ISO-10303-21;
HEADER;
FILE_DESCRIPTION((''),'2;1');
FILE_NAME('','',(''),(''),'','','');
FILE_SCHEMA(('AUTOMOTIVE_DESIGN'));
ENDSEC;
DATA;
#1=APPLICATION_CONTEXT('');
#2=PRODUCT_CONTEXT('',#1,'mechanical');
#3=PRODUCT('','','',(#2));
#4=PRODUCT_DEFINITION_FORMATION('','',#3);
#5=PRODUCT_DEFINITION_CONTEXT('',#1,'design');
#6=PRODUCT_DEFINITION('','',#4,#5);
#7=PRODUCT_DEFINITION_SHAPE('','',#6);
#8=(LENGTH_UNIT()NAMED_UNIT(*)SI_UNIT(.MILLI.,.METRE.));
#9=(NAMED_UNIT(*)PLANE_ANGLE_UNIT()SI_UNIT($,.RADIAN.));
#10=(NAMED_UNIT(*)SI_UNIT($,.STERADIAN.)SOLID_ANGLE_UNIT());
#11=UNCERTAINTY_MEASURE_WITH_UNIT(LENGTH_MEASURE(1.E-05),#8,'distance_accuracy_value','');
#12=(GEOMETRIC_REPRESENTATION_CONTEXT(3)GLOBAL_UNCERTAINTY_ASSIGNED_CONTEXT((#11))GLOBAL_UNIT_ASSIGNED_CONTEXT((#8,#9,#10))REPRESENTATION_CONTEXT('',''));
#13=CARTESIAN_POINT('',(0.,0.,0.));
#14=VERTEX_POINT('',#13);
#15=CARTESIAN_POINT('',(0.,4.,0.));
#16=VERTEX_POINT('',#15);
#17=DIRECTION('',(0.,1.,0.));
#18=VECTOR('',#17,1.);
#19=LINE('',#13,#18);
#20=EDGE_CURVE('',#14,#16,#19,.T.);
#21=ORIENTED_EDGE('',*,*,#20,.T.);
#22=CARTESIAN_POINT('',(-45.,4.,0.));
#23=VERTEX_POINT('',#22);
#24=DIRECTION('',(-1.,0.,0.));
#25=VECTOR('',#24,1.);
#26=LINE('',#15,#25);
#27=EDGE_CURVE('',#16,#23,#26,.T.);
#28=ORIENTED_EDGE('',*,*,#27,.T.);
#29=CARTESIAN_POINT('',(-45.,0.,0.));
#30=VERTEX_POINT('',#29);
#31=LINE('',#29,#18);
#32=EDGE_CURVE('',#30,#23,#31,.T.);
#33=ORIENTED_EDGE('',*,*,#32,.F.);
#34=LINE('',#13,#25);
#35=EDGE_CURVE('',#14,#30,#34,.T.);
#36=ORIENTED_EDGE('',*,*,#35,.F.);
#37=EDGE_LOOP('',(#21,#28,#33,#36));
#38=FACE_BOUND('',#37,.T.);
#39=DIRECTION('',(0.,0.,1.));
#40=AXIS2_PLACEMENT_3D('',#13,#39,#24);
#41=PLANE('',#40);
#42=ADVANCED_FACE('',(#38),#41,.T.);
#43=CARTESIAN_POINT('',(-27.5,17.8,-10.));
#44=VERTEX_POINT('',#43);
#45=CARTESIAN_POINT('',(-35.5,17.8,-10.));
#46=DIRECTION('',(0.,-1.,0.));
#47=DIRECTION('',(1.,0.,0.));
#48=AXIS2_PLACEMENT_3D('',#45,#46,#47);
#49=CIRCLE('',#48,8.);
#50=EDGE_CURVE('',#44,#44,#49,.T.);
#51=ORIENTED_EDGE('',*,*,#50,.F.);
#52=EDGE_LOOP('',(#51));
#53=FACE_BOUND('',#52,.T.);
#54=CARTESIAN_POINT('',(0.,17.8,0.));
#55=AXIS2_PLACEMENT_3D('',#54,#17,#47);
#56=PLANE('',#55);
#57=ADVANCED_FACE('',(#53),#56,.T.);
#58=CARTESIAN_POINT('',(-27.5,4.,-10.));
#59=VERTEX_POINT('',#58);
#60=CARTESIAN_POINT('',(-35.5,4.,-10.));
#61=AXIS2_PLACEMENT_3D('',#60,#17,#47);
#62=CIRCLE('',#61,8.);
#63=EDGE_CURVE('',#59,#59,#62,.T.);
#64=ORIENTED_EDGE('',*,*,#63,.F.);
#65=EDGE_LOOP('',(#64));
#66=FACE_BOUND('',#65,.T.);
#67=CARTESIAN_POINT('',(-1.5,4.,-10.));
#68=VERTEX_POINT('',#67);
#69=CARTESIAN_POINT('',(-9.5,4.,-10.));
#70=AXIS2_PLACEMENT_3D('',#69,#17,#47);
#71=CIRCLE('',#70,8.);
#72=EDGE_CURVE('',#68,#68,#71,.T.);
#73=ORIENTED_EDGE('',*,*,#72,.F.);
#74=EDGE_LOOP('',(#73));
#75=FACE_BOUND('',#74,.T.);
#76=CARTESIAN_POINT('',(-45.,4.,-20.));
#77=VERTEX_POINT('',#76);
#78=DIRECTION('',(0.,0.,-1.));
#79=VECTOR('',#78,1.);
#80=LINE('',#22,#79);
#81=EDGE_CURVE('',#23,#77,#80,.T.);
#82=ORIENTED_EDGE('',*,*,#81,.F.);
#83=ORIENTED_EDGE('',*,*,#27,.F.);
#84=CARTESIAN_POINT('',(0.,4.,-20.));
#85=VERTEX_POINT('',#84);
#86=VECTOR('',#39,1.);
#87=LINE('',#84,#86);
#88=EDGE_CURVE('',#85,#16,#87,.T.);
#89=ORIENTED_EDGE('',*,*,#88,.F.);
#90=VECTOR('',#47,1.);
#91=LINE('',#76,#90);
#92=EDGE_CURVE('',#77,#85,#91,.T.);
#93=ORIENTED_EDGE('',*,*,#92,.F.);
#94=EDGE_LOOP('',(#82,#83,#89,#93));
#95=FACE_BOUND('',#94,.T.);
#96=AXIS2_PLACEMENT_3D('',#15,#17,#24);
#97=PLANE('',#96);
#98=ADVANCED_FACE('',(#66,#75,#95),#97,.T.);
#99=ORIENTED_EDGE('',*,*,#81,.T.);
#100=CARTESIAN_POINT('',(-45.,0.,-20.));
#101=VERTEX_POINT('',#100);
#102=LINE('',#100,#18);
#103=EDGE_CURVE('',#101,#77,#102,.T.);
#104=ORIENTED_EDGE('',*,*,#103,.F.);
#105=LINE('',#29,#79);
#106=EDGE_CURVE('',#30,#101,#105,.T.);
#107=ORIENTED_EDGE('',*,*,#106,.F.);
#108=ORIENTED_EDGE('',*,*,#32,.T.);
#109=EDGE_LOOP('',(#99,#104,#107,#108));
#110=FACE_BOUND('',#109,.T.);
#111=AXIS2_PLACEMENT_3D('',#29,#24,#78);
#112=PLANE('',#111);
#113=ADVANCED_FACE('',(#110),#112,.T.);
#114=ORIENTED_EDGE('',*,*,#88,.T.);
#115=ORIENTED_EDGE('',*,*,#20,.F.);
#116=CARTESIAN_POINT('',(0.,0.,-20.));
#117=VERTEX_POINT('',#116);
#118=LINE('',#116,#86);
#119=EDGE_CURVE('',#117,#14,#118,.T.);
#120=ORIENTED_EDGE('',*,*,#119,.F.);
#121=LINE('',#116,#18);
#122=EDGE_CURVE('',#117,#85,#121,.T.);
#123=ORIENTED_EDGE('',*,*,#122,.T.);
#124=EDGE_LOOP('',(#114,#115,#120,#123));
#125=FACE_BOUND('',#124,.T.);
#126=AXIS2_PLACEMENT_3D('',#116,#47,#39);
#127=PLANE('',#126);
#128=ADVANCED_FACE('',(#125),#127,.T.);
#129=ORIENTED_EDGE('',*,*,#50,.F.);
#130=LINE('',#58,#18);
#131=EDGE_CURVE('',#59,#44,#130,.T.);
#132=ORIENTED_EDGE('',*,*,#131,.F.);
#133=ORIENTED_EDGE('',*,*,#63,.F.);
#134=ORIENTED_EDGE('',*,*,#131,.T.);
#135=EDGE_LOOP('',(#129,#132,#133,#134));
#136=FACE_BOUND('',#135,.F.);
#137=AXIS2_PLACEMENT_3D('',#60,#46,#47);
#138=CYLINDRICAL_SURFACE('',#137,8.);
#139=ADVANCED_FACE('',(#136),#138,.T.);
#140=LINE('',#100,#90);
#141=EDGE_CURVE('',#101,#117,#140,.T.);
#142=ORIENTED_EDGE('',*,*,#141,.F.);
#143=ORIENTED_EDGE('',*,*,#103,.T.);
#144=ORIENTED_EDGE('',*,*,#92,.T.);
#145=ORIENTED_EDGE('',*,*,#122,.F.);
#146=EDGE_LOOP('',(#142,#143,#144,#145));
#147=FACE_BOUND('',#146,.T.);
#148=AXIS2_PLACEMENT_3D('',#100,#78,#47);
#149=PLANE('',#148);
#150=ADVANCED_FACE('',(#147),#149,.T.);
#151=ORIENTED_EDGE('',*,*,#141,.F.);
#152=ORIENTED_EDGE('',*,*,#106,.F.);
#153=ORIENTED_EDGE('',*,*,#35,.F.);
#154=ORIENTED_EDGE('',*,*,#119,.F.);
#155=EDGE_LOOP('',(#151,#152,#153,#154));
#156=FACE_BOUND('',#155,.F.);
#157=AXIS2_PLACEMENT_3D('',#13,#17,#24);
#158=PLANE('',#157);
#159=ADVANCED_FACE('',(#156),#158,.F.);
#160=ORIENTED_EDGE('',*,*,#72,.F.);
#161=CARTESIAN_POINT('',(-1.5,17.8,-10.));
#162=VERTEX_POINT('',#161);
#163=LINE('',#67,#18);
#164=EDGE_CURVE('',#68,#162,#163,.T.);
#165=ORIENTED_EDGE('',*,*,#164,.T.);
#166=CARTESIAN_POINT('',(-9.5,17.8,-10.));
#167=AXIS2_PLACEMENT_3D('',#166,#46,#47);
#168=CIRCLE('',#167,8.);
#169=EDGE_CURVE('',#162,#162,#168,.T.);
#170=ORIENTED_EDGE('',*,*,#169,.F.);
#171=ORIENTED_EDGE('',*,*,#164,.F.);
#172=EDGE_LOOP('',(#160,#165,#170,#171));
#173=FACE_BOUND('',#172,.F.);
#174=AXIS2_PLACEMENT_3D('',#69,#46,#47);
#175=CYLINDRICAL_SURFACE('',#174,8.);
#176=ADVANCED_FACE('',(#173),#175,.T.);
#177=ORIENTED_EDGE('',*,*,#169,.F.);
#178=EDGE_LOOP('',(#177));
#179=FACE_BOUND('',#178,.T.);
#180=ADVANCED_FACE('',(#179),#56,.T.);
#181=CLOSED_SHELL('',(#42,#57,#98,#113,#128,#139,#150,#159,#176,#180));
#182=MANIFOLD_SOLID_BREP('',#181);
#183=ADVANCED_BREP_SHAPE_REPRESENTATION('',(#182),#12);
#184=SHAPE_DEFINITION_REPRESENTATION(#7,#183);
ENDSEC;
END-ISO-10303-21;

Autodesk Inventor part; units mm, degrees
ref_plane "YZ Plane" through (0, 0, 0) normal (1, 0, 0) x (0, 1, 0)
ref_plane "XZ Plane" through (0, 0, 0) normal (0, 1, 0) x (-1, 0, 0)
ref_plane "XY Plane" through (0, 0, 0) normal (0, 0, 1) x (1, 0, 0)
sketch "Sketch1" plane through (0, 0, 0) normal (0, 1, 0) x (-1, 0, 0)
  line L0 (0, 0) -> (45, 0)
  line L1 (45, 0) -> (45, -20)
  line L2 (45, -20) -> (0, -20)
  line L3 (0, -20) -> (0, 0)
  dimension "d0" = 45
  dimension "d1" = 20
extrude "Extrusion1" add sketch "Sketch1" along normal blind 4
sketch "Sketch2" plane through (0, 4, 0) normal (0, 1, 0) x (1, 0, 0)
  line L0 (0, 0) -> (0, 20) projected
  line L1 (-45, 20) -> (-45, 0) projected
  line L2 (-45, 10) -> (-35.5, 10)
  line L3 (0, 10) -> (-9.5, 10)
  circle A0 centre (-9.5, 10) radius 8
  circle A1 centre (-35.5, 10) radius 8
  line L4 (-35.5, 10) -> (-9.5, 10)
  dimension "d4" = 9.5
  dimension "d5" = 9.5
  dimension "d6" = 16
  dimension "d7" = 16
  dimension "d8" = 26
extrude "Extrusion2" add sketch "Sketch2" along normal blind 13.8
properties part number "HC-SR04"
